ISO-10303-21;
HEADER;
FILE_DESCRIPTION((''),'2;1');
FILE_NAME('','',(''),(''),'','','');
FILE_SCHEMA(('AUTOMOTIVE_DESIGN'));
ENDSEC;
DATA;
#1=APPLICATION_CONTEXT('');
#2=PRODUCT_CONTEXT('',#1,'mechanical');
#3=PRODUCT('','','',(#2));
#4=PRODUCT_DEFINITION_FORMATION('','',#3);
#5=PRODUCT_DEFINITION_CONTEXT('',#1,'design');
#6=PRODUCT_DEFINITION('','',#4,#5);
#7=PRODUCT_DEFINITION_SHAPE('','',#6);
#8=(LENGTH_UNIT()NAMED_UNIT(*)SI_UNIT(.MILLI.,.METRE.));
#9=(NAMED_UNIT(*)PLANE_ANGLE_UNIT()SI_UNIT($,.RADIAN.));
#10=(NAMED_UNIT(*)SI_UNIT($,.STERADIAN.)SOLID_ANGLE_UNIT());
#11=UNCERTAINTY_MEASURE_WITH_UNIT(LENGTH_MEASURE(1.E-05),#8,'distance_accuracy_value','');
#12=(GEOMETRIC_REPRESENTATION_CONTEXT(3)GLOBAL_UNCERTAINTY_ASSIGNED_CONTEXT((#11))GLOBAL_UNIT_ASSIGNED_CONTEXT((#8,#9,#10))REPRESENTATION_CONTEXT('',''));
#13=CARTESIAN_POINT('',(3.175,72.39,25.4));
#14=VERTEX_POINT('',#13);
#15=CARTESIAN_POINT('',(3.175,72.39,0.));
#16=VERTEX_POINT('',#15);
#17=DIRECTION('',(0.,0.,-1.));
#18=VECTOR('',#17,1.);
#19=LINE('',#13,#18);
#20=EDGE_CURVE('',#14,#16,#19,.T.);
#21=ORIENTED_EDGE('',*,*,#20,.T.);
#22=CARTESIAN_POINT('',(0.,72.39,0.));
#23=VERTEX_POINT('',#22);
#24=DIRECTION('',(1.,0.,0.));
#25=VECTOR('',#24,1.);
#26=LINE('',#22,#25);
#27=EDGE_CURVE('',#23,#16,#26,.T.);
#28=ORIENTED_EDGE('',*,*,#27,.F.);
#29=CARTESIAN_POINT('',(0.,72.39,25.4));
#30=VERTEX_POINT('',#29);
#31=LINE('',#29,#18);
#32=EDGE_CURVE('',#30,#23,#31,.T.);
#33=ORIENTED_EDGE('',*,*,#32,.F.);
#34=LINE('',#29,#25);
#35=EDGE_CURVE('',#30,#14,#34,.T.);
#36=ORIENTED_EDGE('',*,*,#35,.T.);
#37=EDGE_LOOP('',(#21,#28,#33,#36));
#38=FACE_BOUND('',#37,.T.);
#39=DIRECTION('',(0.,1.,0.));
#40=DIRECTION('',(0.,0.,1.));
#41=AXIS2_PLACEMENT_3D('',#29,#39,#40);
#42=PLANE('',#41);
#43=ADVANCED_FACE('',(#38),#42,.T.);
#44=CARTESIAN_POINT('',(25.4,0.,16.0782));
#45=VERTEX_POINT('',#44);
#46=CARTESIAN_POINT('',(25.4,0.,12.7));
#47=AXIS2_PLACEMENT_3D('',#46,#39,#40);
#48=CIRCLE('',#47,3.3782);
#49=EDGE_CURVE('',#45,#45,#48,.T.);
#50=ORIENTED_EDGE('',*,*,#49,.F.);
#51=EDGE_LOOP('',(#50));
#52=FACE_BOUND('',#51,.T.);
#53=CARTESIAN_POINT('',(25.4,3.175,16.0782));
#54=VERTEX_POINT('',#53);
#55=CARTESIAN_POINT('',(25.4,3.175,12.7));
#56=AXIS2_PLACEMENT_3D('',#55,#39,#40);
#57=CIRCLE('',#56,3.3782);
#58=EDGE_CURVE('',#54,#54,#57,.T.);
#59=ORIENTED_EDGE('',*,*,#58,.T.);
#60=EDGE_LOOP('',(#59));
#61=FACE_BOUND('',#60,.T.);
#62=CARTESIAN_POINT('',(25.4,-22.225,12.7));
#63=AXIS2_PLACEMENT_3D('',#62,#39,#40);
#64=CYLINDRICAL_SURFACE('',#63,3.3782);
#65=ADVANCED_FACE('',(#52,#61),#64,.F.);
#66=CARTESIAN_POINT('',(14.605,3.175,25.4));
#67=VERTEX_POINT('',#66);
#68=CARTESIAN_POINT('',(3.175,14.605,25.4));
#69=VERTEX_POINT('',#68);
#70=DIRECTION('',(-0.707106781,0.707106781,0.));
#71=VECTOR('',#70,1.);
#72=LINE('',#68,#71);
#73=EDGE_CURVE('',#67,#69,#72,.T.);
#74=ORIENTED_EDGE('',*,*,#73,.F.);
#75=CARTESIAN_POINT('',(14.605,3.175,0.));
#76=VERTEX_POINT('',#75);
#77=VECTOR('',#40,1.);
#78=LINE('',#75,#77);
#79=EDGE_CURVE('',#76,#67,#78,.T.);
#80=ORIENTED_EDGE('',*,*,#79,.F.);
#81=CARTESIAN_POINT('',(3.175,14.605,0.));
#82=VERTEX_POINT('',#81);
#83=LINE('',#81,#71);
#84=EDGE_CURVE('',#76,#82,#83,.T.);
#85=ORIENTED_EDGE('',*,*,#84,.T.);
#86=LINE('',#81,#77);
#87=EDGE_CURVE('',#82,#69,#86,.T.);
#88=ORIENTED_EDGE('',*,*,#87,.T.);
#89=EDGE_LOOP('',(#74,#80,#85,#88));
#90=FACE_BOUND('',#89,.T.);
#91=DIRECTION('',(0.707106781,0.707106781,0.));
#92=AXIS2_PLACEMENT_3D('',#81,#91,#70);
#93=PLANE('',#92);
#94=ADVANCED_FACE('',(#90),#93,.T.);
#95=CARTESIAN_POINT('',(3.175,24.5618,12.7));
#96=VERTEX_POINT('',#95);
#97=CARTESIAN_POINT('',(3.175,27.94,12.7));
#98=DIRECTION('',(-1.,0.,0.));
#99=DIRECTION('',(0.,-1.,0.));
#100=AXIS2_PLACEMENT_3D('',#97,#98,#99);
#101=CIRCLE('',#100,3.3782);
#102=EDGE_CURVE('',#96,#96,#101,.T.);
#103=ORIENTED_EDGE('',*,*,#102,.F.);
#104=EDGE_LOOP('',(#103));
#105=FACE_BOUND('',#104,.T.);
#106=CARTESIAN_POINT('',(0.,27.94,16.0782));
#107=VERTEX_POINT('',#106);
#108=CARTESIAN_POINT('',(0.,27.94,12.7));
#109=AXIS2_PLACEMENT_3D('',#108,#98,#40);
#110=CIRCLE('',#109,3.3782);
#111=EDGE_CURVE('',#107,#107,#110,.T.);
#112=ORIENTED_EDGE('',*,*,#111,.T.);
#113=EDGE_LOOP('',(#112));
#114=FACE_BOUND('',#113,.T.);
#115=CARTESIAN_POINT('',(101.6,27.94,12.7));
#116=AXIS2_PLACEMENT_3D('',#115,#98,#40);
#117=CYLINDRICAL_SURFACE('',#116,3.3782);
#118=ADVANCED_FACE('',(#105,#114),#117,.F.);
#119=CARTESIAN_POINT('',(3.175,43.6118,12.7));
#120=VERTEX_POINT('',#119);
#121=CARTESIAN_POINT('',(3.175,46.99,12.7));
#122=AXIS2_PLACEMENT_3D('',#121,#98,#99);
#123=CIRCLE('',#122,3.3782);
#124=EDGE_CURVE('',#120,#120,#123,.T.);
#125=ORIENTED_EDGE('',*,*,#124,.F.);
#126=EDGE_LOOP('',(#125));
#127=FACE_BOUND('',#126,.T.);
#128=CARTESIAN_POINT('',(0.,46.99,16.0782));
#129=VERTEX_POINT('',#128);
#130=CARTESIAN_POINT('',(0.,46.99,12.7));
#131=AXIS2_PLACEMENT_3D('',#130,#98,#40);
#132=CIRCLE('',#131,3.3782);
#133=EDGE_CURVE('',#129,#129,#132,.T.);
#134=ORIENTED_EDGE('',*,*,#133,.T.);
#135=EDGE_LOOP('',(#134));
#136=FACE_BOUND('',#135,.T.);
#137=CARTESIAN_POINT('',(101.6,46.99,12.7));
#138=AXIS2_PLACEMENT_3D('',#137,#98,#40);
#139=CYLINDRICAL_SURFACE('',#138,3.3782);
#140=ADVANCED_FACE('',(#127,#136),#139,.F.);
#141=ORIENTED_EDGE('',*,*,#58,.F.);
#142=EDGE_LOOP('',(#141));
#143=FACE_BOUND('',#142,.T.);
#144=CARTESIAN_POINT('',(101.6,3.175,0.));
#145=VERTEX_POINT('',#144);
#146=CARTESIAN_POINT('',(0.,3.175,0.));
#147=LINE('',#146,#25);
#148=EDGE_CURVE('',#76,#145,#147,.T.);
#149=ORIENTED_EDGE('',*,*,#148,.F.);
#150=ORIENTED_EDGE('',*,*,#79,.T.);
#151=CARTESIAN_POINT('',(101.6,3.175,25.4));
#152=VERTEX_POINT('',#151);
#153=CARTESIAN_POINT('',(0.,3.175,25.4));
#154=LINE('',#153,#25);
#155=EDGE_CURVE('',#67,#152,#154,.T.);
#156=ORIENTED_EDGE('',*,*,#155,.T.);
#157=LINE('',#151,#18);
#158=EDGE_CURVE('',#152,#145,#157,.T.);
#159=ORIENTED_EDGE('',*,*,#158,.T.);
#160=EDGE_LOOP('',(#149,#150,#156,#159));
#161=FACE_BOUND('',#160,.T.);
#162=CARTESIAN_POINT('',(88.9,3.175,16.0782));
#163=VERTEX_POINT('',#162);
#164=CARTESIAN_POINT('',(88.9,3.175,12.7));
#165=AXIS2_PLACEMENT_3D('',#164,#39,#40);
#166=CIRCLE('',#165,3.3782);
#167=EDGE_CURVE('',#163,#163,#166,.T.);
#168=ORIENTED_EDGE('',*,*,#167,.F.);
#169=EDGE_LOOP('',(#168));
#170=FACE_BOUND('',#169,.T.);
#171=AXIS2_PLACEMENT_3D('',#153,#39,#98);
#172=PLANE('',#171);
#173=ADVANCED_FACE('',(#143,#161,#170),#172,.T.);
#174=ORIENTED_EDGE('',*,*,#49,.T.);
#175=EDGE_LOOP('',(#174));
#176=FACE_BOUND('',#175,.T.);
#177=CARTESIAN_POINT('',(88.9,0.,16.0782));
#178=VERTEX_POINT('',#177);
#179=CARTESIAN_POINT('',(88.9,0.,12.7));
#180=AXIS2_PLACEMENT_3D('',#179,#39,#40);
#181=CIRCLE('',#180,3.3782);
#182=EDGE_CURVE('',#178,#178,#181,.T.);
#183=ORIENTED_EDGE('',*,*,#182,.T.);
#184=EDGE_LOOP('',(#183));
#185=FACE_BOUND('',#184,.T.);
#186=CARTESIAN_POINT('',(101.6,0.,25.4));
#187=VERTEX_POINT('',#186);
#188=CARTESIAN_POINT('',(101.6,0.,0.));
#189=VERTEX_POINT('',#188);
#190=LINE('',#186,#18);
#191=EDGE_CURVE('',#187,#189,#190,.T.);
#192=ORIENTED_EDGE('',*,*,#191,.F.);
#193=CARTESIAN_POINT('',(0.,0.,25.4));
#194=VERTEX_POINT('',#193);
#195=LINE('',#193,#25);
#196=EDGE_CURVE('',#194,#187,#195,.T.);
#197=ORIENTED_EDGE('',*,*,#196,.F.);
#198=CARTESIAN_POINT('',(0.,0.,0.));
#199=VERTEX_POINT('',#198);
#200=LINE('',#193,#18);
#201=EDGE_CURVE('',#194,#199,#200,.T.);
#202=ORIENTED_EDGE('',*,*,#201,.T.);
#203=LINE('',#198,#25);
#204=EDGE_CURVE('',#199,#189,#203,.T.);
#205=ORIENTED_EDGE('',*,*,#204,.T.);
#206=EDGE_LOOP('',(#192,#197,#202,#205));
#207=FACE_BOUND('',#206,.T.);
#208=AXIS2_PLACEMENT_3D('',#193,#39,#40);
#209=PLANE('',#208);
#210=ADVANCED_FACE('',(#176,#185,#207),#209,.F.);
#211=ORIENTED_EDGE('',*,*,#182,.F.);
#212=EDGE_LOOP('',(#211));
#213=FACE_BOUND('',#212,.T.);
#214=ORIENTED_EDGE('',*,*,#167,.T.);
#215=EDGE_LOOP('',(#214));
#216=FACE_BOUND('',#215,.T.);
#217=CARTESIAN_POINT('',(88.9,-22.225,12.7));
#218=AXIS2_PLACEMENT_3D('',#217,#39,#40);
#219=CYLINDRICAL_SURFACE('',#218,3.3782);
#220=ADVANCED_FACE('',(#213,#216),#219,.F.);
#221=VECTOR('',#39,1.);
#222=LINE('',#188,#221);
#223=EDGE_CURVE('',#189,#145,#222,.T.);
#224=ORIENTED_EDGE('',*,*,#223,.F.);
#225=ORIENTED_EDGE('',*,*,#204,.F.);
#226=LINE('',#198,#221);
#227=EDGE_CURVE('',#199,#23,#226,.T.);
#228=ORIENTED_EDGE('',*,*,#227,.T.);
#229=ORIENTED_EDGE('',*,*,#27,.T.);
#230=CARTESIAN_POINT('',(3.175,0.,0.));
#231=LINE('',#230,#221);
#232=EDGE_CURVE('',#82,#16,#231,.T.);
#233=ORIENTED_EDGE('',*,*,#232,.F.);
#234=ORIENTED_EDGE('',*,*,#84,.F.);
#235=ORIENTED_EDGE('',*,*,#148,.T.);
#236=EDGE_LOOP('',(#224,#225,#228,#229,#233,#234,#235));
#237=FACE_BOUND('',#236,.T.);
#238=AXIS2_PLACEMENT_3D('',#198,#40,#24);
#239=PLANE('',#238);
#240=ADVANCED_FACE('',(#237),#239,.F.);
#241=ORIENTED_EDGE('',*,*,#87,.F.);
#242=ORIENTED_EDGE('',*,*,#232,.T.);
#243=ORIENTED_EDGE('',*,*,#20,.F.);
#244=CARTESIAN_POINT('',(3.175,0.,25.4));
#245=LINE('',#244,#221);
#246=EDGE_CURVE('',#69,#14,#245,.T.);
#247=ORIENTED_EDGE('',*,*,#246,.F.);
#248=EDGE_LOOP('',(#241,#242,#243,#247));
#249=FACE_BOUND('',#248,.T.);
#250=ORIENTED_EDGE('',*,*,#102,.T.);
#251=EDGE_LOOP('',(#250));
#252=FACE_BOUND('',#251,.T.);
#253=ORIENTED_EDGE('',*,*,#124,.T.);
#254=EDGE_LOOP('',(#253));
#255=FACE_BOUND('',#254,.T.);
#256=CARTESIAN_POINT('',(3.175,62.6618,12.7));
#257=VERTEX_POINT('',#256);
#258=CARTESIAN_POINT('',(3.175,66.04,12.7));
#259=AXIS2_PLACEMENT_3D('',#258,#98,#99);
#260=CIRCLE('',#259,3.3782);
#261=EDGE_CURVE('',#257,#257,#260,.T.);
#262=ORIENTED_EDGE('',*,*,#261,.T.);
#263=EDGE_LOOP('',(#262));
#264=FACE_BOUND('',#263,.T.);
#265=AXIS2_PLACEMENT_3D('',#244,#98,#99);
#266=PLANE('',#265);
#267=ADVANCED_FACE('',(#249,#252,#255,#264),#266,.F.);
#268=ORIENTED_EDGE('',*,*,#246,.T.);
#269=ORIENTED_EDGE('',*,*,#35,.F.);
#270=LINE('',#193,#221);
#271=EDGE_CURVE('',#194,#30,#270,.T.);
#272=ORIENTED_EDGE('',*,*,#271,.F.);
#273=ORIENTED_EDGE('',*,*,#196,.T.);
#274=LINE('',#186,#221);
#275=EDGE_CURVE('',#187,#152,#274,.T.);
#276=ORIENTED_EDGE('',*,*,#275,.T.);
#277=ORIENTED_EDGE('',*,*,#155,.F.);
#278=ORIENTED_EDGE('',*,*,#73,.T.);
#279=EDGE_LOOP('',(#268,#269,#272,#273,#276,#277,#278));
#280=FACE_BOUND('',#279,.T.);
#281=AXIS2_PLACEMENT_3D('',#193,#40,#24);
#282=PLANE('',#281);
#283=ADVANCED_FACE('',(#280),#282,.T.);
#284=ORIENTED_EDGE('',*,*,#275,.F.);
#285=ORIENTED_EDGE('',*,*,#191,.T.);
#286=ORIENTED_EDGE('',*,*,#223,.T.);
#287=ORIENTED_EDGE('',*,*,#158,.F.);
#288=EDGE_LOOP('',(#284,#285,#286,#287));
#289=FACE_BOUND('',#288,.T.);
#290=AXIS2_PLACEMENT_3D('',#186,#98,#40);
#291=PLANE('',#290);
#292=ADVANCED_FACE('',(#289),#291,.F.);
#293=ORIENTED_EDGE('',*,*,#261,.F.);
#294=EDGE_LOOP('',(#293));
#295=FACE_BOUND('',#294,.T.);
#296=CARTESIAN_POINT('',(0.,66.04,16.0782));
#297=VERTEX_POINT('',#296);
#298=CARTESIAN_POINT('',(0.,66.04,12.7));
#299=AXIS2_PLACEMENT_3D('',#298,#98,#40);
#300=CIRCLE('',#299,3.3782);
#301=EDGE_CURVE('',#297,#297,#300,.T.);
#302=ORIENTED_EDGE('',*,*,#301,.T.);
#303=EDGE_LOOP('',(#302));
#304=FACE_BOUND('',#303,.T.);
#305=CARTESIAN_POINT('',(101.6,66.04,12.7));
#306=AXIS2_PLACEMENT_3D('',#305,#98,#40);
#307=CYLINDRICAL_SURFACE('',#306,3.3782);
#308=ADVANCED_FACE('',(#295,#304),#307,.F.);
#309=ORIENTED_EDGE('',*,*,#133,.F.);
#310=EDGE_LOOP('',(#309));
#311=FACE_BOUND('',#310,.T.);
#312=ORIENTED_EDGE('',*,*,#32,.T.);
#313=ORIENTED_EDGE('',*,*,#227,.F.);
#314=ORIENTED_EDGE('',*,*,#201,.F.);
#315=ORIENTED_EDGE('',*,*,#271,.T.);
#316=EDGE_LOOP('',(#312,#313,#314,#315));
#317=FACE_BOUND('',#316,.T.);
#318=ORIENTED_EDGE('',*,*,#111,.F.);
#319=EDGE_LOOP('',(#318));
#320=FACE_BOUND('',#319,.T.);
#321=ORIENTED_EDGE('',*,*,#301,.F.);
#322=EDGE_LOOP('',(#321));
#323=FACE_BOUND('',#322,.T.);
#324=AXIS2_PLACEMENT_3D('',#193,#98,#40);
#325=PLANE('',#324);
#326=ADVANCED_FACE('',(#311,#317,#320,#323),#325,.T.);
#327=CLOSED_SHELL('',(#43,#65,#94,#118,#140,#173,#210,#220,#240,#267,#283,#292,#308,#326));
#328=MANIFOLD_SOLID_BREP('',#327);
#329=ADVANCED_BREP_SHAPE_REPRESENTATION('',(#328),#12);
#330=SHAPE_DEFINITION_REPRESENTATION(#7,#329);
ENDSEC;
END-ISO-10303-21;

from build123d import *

# Parameters (mm, degrees)
BOSS_EXTRUDE1_DEPTH = 25.4
SKETCH2_R           = 3.3782
CUT_EXTRUDE1_DEPTH  = 25.4
SKETCH3_R           = 3.3782
CUT_EXTRUDE2_DEPTH  = 128.310769772
BOSS_EXTRUDE2_DEPTH = 25.4


with BuildPart() as part:
    # Sketch1 → Boss-Extrude1 (new body)
    with BuildSketch(Plane.XY):
        Polygon((0, 3.175), (0, 0), (3.175, 0), (101.6, 0), (101.6, 3.175), (3.175, 3.175), (3.175, 72.39), (0, 72.39), align=None)
    extrude(amount=BOSS_EXTRUDE1_DEPTH)

    # Sketch2 → Cut-Extrude1 (cut)
    with BuildSketch(Plane(origin=(0, 3.175, 0), x_dir=(1, 0, 0), z_dir=(0, 1, 0))):
        with Locations(Location((88.9, -12.7, 0), (0, 0, 270))):
            Circle(SKETCH2_R)
        with Locations(Location((25.4, -12.7, 0), (0, 0, 270))):
            Circle(SKETCH2_R)
    extrude(amount=-CUT_EXTRUDE1_DEPTH, mode=Mode.SUBTRACT)

    # Sketch3 → Cut-Extrude2 (cut, through all)
    with BuildSketch(Plane.ZY):
        with Locations((12.7, 27.94)):
            Circle(SKETCH3_R)
        with Locations((12.7, 46.99)):
            Circle(SKETCH3_R)
        with Locations((12.7, 66.04)):
            Circle(SKETCH3_R)
    extrude(amount=-CUT_EXTRUDE2_DEPTH, mode=Mode.SUBTRACT)

    # Sketch4 → Boss-Extrude2 (add)
    with BuildSketch(Plane.XY.offset(25.4)):
        Polygon((3.175, 14.605), (14.605, 3.175), (3.175, 3.175), align=None)
    extrude(amount=-BOSS_EXTRUDE2_DEPTH)


solid = part.part
